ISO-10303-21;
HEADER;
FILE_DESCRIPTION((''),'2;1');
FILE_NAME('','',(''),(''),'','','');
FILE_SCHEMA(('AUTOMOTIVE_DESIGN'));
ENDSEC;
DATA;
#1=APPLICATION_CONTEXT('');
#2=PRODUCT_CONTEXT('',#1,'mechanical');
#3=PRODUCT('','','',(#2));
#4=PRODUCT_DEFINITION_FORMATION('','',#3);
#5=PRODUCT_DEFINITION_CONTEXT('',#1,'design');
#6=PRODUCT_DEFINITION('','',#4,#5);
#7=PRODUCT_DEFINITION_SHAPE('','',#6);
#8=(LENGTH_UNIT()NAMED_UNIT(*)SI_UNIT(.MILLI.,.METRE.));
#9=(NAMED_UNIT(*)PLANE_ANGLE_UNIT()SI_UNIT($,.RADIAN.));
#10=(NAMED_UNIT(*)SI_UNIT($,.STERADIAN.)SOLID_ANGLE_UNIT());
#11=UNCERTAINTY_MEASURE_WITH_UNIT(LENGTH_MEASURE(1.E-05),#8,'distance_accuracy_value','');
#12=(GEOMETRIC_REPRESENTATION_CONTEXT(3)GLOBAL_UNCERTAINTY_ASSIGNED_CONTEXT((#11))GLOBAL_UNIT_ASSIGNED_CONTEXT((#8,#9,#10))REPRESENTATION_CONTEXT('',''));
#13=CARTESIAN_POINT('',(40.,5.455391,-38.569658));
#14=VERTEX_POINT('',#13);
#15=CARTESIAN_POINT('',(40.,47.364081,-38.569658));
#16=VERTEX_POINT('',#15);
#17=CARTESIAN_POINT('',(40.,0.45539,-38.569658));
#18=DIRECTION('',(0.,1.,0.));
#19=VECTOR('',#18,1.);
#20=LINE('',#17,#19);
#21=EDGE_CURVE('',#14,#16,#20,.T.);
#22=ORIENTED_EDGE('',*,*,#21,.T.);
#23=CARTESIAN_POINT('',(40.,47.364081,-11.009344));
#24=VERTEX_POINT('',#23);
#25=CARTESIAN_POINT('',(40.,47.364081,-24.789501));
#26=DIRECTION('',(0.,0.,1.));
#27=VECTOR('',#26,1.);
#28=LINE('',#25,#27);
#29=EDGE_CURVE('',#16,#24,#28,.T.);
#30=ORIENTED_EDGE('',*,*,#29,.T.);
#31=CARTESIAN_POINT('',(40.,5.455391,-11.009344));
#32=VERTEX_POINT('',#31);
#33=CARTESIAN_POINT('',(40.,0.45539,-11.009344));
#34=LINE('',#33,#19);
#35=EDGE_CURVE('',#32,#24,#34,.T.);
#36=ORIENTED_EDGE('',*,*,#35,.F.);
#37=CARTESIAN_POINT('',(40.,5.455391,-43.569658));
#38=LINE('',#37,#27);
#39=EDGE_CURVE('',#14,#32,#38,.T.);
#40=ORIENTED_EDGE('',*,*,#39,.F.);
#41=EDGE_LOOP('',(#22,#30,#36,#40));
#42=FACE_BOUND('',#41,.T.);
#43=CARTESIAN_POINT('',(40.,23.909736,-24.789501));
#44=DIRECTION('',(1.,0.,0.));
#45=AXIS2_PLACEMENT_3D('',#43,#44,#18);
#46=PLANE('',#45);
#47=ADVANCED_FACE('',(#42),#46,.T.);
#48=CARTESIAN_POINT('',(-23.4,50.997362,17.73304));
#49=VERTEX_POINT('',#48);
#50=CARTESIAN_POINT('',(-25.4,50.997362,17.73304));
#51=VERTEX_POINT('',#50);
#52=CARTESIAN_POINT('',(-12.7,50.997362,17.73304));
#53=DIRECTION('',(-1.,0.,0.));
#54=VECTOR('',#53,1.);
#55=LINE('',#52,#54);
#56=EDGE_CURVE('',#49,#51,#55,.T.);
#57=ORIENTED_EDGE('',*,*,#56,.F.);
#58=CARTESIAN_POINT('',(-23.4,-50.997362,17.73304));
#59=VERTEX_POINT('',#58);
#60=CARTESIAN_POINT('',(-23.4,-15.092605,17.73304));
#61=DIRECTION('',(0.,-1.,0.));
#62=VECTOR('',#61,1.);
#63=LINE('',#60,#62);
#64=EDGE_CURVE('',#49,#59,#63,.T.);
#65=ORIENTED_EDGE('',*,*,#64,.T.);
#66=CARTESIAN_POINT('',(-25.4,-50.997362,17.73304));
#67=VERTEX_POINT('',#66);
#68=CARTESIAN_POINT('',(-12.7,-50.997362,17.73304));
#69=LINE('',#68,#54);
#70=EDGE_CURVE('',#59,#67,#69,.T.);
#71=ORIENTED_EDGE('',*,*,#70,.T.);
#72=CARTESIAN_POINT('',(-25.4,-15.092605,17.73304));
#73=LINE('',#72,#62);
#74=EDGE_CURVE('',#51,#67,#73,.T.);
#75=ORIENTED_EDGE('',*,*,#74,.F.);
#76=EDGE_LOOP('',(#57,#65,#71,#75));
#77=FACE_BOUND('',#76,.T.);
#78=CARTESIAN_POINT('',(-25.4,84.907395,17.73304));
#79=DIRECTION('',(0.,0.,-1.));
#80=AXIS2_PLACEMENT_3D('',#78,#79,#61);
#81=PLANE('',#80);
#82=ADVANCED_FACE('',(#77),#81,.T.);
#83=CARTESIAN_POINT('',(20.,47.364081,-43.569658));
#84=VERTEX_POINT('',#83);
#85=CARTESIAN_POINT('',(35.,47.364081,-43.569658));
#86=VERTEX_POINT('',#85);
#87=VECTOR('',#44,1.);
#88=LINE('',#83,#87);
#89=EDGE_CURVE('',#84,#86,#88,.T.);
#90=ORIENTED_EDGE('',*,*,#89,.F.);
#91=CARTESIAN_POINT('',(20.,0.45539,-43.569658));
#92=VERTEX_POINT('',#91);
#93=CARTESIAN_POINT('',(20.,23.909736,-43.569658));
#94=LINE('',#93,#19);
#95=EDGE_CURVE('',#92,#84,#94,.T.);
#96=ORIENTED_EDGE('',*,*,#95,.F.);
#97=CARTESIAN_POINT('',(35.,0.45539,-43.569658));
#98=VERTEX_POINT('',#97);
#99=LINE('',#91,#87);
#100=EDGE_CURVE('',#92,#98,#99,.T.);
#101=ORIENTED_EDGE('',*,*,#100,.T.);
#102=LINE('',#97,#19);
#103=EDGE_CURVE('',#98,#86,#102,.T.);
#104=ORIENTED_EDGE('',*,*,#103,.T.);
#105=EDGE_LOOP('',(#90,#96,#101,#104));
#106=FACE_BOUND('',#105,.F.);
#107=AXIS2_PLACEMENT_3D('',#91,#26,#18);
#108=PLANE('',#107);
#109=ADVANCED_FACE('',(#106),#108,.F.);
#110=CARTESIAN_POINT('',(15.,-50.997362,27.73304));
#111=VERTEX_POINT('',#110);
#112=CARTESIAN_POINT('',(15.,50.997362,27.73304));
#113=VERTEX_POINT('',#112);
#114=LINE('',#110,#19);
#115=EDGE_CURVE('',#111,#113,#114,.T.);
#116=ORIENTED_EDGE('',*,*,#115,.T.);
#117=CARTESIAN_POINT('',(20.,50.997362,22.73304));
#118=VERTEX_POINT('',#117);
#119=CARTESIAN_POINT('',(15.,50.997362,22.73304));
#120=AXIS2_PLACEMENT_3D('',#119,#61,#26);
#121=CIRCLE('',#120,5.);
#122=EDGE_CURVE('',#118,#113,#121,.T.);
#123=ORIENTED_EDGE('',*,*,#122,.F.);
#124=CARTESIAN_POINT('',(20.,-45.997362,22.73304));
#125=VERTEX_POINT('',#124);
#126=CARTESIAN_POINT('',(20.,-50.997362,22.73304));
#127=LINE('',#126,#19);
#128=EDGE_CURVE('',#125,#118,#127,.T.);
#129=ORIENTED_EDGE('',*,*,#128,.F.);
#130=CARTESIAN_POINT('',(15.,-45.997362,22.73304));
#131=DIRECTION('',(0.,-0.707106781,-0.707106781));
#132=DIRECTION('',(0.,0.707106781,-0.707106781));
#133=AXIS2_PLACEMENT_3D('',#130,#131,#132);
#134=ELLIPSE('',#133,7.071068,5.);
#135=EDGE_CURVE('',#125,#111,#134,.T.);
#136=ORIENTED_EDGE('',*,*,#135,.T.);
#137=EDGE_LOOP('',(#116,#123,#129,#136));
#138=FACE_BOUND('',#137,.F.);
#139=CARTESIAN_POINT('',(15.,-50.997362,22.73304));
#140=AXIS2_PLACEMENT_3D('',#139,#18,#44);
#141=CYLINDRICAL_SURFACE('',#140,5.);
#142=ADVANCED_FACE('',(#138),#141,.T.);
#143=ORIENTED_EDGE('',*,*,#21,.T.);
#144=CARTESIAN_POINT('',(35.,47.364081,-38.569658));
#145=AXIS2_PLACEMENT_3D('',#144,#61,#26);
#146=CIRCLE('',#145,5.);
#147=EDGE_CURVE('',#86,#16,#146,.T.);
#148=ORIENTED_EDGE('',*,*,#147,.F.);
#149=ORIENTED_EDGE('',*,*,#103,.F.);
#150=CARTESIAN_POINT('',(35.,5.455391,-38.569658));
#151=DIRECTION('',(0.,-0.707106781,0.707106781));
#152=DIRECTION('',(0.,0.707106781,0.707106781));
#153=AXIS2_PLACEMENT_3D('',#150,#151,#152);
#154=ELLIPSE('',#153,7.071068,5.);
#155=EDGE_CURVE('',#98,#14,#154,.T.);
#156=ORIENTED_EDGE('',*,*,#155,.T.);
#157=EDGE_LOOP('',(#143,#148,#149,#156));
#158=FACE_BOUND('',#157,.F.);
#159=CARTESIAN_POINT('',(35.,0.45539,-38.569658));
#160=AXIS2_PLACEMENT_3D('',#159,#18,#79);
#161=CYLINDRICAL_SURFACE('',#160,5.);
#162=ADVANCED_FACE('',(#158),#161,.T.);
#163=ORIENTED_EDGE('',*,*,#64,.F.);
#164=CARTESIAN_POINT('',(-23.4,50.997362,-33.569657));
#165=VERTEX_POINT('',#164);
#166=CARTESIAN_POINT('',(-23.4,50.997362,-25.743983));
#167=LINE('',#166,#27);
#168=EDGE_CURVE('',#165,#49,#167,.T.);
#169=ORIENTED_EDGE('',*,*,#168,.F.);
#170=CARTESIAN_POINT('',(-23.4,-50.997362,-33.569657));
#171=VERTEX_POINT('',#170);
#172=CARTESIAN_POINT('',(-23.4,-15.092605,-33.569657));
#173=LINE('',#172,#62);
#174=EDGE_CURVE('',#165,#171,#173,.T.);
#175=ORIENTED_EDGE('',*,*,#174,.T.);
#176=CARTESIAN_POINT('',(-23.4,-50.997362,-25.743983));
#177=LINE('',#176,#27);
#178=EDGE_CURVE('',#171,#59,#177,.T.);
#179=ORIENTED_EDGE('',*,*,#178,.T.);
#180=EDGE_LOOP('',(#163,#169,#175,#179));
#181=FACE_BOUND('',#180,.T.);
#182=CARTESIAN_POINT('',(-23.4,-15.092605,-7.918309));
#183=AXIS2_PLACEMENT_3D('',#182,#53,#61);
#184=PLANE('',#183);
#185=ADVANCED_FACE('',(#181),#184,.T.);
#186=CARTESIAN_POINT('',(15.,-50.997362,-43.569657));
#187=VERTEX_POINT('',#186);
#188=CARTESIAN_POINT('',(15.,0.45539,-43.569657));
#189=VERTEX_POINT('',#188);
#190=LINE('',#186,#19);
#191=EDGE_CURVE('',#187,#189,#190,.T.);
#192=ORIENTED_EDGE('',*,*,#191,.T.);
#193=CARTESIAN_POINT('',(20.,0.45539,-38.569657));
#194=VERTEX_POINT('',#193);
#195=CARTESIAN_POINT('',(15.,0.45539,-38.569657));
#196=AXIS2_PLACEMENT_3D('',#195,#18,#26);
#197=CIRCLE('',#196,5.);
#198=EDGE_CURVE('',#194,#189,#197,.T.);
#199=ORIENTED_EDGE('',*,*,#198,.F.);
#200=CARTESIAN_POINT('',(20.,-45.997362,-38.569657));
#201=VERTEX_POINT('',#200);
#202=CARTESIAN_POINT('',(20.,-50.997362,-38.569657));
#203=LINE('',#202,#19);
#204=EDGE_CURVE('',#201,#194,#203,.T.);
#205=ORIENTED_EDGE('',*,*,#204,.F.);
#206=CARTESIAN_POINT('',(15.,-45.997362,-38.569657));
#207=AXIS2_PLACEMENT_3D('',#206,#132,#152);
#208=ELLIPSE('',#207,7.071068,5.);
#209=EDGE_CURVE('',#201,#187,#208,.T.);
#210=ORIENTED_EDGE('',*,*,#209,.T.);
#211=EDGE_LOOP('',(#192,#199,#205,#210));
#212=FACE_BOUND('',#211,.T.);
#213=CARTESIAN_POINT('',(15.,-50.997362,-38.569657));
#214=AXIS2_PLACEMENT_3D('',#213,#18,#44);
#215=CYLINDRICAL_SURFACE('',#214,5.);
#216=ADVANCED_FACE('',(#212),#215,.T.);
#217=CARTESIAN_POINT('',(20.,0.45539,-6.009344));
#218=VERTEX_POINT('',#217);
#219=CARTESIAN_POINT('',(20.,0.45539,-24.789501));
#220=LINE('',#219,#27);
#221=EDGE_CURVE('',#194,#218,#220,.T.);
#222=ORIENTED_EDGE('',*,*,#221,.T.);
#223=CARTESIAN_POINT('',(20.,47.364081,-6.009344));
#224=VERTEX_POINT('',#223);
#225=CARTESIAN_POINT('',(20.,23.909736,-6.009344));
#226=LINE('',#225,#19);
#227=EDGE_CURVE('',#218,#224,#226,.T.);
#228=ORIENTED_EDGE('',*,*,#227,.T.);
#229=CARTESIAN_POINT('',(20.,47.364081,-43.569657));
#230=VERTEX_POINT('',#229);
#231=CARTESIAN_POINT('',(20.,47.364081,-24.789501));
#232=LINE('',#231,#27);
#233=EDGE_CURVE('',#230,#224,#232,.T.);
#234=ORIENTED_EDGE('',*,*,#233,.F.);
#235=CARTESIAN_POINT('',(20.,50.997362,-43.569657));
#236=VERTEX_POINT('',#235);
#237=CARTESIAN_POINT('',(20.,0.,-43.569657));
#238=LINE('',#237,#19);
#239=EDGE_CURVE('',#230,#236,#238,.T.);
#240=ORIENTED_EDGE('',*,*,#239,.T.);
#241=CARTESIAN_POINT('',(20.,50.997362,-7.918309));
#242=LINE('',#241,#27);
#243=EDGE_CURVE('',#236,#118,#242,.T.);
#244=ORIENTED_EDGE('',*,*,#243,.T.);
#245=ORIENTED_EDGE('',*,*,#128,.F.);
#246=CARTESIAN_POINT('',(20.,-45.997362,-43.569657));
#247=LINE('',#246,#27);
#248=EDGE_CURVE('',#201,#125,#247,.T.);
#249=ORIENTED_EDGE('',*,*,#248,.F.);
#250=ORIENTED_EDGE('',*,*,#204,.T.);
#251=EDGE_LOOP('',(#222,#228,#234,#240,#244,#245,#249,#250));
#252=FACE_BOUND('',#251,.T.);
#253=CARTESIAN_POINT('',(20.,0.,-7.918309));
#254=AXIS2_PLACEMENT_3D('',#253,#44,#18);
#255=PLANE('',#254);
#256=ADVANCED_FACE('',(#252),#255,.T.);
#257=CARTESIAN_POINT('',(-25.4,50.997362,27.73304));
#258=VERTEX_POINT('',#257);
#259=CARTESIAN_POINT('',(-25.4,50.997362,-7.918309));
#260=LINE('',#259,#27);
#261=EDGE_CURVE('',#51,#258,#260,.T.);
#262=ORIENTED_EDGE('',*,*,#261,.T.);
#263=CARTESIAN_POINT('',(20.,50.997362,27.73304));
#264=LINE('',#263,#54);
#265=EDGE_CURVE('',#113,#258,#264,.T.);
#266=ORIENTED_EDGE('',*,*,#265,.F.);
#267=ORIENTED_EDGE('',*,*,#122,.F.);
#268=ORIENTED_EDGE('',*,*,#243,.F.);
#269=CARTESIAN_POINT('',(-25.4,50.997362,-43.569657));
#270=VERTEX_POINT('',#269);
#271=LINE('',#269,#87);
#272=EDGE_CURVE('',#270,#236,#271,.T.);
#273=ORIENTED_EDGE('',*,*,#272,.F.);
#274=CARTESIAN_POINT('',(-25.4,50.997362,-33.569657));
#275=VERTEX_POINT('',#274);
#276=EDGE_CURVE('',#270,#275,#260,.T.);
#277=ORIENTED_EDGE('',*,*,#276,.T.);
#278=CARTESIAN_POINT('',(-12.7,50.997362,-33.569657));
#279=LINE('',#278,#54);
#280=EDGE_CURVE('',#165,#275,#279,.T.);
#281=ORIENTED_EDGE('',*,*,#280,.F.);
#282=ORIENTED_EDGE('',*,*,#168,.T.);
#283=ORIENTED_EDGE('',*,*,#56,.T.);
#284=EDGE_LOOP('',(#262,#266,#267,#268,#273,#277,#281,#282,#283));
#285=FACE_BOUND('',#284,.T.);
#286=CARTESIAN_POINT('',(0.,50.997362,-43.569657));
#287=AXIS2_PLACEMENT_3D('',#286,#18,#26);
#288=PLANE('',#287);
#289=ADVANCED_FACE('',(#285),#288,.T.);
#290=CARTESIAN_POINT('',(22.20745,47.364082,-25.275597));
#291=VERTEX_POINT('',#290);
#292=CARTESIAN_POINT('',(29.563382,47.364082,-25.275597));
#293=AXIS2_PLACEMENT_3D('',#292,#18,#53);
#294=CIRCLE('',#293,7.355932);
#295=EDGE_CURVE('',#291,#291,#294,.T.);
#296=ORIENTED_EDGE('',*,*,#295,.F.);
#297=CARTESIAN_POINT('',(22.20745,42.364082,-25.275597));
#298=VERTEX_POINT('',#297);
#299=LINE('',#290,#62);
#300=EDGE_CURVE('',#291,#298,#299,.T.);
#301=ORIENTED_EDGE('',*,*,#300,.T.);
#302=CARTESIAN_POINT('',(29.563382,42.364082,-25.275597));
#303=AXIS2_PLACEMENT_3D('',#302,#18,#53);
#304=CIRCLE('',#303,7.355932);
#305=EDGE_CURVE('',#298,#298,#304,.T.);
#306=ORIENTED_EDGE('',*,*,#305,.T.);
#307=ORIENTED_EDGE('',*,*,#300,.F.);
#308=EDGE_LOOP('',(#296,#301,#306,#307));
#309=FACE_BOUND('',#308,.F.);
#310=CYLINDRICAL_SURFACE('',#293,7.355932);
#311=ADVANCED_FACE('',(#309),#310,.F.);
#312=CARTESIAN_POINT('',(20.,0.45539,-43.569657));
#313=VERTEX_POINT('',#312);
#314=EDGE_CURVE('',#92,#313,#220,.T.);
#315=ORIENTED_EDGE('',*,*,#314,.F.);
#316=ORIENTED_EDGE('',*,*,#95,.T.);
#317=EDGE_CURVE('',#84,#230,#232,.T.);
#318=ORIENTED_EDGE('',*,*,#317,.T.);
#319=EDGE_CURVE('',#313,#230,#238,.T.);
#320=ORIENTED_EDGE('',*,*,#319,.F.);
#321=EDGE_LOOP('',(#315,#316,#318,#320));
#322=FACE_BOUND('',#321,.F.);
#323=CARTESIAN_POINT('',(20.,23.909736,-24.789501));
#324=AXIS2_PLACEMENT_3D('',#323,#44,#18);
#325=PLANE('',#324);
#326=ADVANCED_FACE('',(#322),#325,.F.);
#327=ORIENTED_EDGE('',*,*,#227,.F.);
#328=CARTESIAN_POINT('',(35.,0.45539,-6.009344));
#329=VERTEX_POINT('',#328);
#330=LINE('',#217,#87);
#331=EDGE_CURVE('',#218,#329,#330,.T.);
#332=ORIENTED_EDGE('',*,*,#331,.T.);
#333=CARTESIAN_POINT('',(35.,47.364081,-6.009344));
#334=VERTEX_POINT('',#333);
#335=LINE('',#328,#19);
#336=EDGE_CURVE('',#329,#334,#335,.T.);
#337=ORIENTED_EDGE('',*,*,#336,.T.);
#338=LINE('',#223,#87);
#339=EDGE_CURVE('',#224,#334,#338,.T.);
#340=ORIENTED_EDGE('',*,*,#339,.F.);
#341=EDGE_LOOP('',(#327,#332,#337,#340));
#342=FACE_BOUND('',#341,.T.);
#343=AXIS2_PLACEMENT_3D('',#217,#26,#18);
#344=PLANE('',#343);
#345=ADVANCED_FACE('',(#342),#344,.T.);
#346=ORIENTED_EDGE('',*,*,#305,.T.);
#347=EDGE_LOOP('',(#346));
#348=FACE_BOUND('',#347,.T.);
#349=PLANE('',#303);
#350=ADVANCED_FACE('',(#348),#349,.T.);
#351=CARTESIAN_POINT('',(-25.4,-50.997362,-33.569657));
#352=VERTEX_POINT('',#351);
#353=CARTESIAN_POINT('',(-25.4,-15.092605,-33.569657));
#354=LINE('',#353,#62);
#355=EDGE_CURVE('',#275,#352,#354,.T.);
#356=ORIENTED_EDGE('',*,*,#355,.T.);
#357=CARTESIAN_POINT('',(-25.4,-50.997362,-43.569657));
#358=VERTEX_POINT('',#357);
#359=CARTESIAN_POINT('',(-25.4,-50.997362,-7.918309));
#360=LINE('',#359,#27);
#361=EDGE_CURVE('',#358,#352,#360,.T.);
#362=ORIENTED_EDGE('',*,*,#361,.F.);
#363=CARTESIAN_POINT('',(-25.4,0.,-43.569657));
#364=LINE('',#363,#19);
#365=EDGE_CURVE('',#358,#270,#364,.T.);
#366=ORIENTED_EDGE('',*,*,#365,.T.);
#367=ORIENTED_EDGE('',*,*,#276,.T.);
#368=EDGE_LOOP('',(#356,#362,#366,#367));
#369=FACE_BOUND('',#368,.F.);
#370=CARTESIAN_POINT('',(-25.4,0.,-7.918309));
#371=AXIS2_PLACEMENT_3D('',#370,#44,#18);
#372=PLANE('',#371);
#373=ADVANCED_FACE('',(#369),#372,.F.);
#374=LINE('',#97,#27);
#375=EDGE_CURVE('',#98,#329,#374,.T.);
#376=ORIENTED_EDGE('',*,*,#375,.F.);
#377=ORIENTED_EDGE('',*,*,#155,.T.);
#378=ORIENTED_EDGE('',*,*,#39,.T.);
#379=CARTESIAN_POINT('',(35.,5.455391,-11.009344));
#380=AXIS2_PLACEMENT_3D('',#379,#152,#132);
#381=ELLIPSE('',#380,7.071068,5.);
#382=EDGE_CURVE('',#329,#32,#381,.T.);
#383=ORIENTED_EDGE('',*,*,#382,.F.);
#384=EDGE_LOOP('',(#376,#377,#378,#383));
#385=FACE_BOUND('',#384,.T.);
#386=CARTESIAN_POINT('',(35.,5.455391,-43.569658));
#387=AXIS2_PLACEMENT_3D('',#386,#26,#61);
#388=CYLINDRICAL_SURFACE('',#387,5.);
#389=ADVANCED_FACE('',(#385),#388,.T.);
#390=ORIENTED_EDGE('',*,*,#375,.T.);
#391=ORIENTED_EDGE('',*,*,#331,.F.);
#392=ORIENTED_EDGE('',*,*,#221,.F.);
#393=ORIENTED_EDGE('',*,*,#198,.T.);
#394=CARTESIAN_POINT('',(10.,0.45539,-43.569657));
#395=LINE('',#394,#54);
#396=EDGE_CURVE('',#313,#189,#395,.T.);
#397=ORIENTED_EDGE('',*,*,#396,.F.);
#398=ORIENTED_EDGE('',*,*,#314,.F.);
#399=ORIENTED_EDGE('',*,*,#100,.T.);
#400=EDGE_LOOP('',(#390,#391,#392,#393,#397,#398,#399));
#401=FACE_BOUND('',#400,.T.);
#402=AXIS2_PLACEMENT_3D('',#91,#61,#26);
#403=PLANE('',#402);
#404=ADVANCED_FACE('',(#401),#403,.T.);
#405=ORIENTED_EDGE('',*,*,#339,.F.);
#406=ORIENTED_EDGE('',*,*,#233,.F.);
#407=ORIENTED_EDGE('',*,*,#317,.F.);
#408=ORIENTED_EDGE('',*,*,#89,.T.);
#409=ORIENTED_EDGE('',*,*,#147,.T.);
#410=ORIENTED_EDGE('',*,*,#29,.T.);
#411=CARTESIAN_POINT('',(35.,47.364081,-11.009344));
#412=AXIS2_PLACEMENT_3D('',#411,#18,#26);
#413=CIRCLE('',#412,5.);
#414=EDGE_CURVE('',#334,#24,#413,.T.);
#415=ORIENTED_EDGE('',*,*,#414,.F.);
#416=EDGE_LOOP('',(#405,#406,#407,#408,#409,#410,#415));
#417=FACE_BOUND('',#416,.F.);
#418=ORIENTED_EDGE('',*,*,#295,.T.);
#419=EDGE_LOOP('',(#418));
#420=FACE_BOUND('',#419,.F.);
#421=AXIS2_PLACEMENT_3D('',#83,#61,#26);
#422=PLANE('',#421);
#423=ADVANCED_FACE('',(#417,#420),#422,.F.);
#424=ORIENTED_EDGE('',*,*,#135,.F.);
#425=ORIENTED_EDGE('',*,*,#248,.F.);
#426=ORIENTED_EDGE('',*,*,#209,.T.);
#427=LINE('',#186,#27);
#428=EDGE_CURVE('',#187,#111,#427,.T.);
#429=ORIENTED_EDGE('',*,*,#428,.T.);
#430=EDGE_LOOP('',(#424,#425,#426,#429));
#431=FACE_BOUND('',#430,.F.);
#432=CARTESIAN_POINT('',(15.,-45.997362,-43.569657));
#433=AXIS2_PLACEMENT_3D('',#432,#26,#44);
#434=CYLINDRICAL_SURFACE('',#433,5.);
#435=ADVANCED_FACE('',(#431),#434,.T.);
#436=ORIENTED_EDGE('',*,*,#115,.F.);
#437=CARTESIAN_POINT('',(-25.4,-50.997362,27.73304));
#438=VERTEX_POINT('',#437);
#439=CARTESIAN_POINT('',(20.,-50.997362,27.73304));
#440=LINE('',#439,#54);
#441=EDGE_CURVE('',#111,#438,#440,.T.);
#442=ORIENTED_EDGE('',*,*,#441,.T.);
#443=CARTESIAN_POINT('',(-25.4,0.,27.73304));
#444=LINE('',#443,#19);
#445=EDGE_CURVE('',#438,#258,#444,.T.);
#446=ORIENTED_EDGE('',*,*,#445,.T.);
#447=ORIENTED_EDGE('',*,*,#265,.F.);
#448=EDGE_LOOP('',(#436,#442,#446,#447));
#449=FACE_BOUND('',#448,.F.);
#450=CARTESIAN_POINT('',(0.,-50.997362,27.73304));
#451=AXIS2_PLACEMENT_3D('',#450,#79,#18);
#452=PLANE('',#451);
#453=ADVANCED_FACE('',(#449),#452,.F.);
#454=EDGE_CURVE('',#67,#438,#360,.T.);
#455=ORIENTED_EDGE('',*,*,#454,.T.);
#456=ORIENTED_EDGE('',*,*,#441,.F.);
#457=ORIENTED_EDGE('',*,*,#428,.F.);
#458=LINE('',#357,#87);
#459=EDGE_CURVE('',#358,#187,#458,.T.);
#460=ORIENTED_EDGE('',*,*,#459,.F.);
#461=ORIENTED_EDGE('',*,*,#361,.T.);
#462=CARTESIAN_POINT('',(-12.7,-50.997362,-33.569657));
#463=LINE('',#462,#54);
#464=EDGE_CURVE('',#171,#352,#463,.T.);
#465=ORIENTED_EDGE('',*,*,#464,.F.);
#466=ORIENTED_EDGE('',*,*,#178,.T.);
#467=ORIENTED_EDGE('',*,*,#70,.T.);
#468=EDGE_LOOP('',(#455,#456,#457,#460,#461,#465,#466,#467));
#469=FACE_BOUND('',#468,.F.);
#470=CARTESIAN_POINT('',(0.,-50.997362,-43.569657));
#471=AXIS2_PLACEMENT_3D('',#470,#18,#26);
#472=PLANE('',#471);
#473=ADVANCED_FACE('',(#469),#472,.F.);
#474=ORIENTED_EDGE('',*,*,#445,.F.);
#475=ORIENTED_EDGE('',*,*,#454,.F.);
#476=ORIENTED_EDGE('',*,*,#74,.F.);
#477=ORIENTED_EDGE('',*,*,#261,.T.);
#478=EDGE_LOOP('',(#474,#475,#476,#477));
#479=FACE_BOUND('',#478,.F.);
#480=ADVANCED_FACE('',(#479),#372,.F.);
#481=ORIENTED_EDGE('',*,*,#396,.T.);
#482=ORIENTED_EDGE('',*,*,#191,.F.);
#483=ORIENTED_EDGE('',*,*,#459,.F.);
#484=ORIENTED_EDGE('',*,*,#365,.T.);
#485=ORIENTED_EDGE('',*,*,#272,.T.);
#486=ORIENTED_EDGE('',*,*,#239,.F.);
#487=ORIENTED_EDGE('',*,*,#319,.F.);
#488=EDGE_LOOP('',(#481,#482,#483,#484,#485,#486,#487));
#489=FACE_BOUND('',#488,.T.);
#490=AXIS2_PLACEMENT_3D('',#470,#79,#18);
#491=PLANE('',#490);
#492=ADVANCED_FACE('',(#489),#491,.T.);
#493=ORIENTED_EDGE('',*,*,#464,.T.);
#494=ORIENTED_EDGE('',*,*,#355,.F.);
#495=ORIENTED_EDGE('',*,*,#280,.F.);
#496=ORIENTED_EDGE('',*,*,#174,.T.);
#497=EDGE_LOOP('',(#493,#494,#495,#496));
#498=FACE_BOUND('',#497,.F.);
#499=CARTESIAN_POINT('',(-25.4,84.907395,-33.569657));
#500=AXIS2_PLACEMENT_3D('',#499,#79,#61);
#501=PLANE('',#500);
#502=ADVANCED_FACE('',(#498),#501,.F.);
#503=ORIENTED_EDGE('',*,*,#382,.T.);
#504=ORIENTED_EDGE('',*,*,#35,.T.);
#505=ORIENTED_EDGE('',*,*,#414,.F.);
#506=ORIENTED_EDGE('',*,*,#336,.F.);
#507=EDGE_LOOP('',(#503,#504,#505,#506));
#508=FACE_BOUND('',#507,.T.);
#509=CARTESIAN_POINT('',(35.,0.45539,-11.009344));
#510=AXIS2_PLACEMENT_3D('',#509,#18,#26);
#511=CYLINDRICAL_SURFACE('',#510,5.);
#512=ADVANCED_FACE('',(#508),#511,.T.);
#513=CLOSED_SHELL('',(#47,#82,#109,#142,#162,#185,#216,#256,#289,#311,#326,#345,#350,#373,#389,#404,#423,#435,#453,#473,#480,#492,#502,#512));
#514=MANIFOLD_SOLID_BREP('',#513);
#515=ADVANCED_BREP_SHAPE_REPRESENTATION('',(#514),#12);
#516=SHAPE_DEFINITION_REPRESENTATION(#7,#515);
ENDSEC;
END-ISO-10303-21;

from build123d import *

# Parameters (mm, degrees)
F0_W          = 101.994724
F0_H          = 71.302697
F1_DEPTH      = 20
F1_DEPTH_BACK = 25.4
F2_W          = 46.908691
F2_H          = 37.560314
F3_DEPTH      = 20
F4_R          = 7.355932
F5_DEPTH      = 5
F6_R          = 5
F7_W          = 200
F7_H          = 51.302697
F8_DEPTH      = 2


with BuildPart() as f1:
    # F0 (on Right) → F1 (new body, two sides)
    with BuildSketch(Plane.YZ) as f1_sk:
        with Locations((0, -7.918309)):
            Rectangle(F0_W, F0_H)
    extrude(amount=F1_DEPTH)
    extrude(f1_sk.sketch, amount=-F1_DEPTH_BACK)

    # F2 (on face) → F3 (join)
    with BuildSketch(Plane.YZ.offset(20)):
        with Locations((23.909736, -24.789501)):
            Rectangle(F2_W, F2_H)
    extrude(amount=F3_DEPTH)

    # F4 (on face) → F5 (cut)
    with BuildSketch(Plane(origin=(0, 47.364082, 0), x_dir=(-1, 0, 0), z_dir=(0, 1, 0))):
        with Locations((-29.563382, -25.275597)):
            Circle(F4_R)
    extrude(amount=-F5_DEPTH, mode=Mode.SUBTRACT)

    # F6
    f6_edges = [f1.edges().sort_by_distance(p)[0] for p in [
        (20, 0, 27.733039),
        (20, -50.997362, -7.918309),
        (20, -25.270985, -43.569658),
        (40, 23.909736, -43.569658),
        (40, 23.909736, -6.009344),
        (40, 0.455391, -24.789501),
    ]]
    fillet(f6_edges, radius=F6_R)

    # F7 (on face) → F8 (cut)
    with BuildSketch(Plane(origin=(-25.4, 0, 0), x_dir=(0, -1, 0), z_dir=(-1, 0, 0))):
        with Locations((15.092605, -7.918309)):
            Rectangle(F7_W, F7_H)
    extrude(amount=-F8_DEPTH, mode=Mode.SUBTRACT)


solid = f1.part
